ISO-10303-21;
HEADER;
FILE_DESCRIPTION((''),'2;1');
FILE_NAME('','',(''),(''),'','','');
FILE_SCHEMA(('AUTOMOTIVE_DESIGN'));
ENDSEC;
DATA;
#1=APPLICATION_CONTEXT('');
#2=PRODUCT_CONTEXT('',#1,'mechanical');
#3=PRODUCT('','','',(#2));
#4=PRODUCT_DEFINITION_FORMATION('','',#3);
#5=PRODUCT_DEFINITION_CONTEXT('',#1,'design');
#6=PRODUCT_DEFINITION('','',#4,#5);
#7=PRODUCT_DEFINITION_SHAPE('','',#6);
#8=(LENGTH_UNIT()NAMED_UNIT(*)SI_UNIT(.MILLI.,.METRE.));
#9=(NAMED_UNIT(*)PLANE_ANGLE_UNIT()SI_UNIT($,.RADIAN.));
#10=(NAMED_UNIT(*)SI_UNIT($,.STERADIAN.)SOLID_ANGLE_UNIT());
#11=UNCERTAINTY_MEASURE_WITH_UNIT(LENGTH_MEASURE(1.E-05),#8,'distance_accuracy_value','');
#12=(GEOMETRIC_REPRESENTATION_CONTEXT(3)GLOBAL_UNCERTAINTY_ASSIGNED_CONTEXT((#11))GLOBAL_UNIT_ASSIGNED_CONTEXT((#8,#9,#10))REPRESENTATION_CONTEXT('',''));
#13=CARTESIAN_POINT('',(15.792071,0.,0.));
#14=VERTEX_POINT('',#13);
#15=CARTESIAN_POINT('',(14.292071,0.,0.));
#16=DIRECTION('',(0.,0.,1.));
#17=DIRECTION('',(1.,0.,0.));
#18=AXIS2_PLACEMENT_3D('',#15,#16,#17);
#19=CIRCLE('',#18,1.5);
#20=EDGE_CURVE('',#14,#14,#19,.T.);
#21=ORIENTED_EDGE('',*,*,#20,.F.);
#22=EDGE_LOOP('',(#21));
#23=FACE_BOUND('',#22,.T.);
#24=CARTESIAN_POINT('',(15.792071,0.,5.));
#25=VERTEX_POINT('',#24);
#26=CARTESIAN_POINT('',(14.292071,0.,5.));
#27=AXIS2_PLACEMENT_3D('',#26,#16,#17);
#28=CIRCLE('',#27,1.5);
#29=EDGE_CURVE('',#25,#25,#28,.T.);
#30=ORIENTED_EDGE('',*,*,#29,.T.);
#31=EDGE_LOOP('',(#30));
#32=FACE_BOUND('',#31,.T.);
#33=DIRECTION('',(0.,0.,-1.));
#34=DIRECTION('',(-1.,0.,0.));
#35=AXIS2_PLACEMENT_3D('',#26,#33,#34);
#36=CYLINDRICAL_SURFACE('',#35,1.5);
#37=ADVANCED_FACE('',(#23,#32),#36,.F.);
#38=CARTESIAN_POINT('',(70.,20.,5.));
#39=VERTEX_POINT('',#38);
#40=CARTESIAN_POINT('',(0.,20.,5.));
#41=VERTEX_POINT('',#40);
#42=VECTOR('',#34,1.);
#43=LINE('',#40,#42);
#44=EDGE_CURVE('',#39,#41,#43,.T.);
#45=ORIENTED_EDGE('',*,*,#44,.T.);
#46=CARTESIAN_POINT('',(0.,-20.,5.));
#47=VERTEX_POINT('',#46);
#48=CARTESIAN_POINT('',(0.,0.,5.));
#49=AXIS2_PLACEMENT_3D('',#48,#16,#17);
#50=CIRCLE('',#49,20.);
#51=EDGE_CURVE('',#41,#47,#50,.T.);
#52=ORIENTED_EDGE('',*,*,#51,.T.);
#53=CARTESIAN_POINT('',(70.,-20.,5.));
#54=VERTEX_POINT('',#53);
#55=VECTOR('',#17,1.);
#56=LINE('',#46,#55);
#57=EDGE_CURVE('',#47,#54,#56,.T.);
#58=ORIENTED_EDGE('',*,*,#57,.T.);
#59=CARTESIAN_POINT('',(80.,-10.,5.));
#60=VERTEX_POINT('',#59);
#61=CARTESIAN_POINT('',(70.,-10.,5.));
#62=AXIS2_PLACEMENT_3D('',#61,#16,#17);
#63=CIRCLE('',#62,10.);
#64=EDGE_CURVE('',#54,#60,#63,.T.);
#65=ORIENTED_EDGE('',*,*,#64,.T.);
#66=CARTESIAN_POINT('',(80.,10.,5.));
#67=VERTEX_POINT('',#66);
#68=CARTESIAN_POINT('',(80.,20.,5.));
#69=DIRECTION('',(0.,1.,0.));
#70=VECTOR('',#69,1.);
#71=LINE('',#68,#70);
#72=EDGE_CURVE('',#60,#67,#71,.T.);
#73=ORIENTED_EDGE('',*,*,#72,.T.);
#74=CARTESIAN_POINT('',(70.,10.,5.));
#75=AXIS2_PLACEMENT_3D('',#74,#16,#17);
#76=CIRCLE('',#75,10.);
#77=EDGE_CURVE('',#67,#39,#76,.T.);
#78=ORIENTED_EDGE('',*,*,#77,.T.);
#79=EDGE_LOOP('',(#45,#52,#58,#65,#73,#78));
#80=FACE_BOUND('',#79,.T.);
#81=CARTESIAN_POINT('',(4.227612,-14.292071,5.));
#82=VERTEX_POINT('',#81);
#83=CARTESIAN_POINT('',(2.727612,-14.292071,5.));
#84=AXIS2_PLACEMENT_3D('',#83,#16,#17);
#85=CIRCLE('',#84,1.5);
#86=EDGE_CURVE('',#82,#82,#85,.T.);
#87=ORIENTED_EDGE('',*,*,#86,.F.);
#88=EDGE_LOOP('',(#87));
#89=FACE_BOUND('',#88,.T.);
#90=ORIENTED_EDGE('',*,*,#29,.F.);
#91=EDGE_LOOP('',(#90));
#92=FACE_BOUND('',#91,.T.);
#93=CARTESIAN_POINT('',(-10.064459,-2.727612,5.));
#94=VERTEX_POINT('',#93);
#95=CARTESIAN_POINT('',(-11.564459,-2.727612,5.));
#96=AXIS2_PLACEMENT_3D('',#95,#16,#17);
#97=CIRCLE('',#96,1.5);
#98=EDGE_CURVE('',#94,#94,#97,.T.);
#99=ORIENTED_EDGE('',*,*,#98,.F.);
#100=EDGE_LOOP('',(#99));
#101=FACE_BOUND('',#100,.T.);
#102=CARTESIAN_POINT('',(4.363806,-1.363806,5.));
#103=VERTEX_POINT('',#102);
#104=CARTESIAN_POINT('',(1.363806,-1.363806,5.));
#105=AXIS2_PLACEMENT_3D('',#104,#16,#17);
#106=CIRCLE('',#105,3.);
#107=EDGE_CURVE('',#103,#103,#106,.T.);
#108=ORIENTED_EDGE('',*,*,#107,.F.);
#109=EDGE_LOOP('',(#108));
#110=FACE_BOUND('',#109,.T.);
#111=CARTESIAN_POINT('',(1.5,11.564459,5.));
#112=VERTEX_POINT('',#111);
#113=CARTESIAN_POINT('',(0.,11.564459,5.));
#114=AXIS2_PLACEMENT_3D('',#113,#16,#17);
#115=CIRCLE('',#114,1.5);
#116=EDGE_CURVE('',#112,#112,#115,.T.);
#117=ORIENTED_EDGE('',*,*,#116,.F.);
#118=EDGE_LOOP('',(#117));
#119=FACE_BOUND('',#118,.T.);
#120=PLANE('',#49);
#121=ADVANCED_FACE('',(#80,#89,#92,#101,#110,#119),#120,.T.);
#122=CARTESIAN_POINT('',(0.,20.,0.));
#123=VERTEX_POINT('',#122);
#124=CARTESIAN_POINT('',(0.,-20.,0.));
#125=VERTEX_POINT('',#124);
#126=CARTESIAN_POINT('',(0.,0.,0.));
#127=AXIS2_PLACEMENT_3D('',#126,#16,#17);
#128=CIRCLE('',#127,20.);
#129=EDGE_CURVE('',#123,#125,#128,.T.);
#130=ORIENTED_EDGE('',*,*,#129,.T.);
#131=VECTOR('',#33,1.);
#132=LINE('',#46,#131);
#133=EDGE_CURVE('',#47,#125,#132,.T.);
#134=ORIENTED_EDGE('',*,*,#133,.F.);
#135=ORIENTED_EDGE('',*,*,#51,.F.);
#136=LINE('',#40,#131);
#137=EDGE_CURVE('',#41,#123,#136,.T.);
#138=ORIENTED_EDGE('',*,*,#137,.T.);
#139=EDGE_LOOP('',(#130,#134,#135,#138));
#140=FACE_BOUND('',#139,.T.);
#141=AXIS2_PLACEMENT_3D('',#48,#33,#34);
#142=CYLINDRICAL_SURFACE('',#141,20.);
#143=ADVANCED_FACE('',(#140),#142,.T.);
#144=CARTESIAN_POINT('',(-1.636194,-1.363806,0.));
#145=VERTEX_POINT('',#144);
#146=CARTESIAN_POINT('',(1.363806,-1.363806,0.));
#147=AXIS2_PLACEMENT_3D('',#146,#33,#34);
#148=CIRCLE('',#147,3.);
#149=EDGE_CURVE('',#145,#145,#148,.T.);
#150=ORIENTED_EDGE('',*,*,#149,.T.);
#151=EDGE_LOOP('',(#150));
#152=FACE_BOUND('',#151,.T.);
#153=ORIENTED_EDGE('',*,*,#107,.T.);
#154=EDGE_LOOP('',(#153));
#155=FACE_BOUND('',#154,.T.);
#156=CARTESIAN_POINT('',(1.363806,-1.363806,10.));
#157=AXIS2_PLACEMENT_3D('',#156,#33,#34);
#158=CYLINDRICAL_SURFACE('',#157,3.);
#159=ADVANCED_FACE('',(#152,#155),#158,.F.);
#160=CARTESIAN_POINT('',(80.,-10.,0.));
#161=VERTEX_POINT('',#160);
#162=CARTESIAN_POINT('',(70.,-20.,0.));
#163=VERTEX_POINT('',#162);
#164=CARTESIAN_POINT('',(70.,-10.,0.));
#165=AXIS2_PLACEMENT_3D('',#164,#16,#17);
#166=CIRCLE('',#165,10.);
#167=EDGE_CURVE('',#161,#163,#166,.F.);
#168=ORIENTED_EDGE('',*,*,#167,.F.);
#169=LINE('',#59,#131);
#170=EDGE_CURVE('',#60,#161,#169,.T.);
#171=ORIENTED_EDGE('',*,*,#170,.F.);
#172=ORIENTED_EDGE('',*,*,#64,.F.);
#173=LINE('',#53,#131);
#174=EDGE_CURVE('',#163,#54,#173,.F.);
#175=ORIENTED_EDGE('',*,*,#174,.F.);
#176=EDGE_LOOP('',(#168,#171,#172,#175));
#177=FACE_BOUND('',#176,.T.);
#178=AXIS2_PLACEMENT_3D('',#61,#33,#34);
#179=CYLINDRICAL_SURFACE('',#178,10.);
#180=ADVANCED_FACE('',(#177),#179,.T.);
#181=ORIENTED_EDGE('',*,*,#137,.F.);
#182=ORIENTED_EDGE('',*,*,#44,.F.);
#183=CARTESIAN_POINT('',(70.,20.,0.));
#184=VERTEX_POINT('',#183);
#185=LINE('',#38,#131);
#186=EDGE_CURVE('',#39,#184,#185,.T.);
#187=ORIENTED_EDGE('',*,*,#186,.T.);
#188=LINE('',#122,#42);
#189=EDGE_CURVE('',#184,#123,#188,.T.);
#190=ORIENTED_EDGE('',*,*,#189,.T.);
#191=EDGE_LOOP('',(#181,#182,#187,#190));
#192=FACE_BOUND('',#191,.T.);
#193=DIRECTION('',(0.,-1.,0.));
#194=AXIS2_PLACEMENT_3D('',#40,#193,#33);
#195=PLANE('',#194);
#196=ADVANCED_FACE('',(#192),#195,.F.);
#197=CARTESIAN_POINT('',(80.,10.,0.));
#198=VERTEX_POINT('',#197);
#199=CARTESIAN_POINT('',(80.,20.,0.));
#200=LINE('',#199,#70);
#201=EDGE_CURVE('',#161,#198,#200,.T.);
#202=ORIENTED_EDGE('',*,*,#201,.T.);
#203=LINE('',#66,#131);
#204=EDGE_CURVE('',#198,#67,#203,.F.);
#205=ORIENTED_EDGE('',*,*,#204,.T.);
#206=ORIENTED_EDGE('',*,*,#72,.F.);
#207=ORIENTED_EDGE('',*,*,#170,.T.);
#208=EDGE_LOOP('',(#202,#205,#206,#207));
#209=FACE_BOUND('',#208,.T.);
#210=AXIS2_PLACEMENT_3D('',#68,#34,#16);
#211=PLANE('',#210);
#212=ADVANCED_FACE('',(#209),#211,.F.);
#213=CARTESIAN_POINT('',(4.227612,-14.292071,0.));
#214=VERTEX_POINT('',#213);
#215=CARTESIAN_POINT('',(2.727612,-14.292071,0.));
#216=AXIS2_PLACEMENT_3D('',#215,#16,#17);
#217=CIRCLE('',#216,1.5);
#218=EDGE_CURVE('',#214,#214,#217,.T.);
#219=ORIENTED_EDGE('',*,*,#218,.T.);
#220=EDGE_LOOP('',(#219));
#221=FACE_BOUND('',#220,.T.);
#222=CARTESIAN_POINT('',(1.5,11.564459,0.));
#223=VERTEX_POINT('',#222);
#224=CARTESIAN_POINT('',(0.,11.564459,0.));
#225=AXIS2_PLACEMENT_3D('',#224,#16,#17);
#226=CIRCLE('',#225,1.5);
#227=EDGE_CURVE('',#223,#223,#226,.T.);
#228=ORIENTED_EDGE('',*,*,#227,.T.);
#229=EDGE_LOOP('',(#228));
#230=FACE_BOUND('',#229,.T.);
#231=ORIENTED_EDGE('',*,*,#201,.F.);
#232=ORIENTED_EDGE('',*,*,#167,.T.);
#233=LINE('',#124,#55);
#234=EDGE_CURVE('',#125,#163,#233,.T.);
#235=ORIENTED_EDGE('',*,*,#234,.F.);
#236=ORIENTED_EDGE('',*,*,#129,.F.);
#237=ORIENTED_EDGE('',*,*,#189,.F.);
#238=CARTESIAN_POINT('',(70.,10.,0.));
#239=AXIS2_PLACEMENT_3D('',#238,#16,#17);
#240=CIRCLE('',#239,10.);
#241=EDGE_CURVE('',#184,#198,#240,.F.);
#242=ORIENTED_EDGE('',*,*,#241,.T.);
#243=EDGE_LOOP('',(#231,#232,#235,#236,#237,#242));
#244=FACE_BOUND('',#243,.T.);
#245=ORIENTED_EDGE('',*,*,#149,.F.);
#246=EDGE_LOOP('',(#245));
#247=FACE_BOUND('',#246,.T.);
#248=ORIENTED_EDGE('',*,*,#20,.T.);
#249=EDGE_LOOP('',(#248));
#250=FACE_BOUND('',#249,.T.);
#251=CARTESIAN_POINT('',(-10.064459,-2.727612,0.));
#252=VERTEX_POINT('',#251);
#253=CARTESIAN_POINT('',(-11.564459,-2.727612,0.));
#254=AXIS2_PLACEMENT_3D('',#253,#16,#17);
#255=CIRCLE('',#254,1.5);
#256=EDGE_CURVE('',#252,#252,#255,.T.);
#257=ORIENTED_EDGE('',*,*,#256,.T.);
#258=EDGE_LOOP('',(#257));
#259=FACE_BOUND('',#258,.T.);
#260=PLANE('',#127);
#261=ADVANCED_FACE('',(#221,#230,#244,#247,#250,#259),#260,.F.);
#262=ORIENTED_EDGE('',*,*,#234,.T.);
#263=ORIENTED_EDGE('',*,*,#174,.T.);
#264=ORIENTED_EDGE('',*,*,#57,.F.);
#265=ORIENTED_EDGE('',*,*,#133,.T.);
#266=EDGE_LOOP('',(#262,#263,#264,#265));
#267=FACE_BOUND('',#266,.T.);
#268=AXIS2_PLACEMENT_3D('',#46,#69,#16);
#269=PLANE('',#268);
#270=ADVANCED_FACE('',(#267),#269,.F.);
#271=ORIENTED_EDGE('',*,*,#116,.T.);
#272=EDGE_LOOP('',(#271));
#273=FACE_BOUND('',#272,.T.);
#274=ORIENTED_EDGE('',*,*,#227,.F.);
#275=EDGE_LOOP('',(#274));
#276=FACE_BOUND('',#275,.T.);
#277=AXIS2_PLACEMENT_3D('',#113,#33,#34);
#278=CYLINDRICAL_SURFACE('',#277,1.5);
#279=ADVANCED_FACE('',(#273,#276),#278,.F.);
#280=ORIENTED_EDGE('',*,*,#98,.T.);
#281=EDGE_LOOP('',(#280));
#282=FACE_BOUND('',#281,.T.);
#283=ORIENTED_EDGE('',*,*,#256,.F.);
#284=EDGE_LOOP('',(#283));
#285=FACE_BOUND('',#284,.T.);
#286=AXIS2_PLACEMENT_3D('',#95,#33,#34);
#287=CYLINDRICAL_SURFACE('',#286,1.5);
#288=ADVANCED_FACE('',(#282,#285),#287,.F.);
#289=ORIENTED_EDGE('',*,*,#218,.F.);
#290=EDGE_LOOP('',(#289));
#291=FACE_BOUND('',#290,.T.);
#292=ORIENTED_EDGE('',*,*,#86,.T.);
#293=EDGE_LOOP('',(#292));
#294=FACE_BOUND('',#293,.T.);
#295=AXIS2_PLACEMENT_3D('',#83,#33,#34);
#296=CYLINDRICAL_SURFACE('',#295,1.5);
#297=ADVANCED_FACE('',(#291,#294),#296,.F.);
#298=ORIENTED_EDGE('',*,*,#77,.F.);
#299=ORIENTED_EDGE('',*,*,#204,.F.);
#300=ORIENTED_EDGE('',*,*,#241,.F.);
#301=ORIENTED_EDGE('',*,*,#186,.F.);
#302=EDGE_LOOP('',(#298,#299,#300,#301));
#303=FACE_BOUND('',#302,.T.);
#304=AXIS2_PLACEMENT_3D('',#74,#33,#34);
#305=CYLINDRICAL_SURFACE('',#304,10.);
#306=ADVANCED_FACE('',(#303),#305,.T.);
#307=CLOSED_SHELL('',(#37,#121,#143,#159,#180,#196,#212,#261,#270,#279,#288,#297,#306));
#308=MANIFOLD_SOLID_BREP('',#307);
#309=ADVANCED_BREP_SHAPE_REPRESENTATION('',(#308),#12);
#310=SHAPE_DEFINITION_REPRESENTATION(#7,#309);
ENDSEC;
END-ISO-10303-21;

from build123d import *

# Parameters (mm, degrees)
SKETCH1_R           = 1.5
BOSS_EXTRUDE1_DEPTH = 5
SKETCH2_R           = 3
CUT_EXTRUDE1_DEPTH  = 10
FILLET1_R           = 10


with BuildPart() as part:
    # Sketch1 → Boss-Extrude1 (new body)
    with BuildSketch(Plane.XY):
        with BuildLine():
            Line((0, 20), (80, 20))
            Line((80, 20), (80, -20))
            Line((80, -20), (0, -20))
            ThreePointArc((0, -20), (-20, 0), (0, 20))
        make_face()
        with Locations((0, 11.564458964)):
            Circle(SKETCH1_R, mode=Mode.SUBTRACT)
        with Locations((14.292070839, 0)):
            Circle(SKETCH1_R, mode=Mode.SUBTRACT)
        with Locations((2.727611874, -14.292070839)):
            Circle(SKETCH1_R, mode=Mode.SUBTRACT)
        with Locations((-11.564458964, -2.727611874)):
            Circle(SKETCH1_R, mode=Mode.SUBTRACT)
    extrude(amount=BOSS_EXTRUDE1_DEPTH)

    # Sketch2 → Cut-Extrude1 (cut)
    with BuildSketch(Plane(origin=(0, 0, 0), x_dir=(-1, 0, 0), z_dir=(0, 0, -1))):
        with Locations((-1.363805937, -1.363805937)):
            Circle(SKETCH2_R)
    extrude(amount=-CUT_EXTRUDE1_DEPTH, mode=Mode.SUBTRACT)

    # Fillet1
    fillet1_edges = [part.edges().sort_by_distance(p)[0] for p in [
        (80, 20, 2.5),
        (80, -20, 2.5),
    ]]
    fillet(fillet1_edges, radius=FILLET1_R)


solid = part.part
